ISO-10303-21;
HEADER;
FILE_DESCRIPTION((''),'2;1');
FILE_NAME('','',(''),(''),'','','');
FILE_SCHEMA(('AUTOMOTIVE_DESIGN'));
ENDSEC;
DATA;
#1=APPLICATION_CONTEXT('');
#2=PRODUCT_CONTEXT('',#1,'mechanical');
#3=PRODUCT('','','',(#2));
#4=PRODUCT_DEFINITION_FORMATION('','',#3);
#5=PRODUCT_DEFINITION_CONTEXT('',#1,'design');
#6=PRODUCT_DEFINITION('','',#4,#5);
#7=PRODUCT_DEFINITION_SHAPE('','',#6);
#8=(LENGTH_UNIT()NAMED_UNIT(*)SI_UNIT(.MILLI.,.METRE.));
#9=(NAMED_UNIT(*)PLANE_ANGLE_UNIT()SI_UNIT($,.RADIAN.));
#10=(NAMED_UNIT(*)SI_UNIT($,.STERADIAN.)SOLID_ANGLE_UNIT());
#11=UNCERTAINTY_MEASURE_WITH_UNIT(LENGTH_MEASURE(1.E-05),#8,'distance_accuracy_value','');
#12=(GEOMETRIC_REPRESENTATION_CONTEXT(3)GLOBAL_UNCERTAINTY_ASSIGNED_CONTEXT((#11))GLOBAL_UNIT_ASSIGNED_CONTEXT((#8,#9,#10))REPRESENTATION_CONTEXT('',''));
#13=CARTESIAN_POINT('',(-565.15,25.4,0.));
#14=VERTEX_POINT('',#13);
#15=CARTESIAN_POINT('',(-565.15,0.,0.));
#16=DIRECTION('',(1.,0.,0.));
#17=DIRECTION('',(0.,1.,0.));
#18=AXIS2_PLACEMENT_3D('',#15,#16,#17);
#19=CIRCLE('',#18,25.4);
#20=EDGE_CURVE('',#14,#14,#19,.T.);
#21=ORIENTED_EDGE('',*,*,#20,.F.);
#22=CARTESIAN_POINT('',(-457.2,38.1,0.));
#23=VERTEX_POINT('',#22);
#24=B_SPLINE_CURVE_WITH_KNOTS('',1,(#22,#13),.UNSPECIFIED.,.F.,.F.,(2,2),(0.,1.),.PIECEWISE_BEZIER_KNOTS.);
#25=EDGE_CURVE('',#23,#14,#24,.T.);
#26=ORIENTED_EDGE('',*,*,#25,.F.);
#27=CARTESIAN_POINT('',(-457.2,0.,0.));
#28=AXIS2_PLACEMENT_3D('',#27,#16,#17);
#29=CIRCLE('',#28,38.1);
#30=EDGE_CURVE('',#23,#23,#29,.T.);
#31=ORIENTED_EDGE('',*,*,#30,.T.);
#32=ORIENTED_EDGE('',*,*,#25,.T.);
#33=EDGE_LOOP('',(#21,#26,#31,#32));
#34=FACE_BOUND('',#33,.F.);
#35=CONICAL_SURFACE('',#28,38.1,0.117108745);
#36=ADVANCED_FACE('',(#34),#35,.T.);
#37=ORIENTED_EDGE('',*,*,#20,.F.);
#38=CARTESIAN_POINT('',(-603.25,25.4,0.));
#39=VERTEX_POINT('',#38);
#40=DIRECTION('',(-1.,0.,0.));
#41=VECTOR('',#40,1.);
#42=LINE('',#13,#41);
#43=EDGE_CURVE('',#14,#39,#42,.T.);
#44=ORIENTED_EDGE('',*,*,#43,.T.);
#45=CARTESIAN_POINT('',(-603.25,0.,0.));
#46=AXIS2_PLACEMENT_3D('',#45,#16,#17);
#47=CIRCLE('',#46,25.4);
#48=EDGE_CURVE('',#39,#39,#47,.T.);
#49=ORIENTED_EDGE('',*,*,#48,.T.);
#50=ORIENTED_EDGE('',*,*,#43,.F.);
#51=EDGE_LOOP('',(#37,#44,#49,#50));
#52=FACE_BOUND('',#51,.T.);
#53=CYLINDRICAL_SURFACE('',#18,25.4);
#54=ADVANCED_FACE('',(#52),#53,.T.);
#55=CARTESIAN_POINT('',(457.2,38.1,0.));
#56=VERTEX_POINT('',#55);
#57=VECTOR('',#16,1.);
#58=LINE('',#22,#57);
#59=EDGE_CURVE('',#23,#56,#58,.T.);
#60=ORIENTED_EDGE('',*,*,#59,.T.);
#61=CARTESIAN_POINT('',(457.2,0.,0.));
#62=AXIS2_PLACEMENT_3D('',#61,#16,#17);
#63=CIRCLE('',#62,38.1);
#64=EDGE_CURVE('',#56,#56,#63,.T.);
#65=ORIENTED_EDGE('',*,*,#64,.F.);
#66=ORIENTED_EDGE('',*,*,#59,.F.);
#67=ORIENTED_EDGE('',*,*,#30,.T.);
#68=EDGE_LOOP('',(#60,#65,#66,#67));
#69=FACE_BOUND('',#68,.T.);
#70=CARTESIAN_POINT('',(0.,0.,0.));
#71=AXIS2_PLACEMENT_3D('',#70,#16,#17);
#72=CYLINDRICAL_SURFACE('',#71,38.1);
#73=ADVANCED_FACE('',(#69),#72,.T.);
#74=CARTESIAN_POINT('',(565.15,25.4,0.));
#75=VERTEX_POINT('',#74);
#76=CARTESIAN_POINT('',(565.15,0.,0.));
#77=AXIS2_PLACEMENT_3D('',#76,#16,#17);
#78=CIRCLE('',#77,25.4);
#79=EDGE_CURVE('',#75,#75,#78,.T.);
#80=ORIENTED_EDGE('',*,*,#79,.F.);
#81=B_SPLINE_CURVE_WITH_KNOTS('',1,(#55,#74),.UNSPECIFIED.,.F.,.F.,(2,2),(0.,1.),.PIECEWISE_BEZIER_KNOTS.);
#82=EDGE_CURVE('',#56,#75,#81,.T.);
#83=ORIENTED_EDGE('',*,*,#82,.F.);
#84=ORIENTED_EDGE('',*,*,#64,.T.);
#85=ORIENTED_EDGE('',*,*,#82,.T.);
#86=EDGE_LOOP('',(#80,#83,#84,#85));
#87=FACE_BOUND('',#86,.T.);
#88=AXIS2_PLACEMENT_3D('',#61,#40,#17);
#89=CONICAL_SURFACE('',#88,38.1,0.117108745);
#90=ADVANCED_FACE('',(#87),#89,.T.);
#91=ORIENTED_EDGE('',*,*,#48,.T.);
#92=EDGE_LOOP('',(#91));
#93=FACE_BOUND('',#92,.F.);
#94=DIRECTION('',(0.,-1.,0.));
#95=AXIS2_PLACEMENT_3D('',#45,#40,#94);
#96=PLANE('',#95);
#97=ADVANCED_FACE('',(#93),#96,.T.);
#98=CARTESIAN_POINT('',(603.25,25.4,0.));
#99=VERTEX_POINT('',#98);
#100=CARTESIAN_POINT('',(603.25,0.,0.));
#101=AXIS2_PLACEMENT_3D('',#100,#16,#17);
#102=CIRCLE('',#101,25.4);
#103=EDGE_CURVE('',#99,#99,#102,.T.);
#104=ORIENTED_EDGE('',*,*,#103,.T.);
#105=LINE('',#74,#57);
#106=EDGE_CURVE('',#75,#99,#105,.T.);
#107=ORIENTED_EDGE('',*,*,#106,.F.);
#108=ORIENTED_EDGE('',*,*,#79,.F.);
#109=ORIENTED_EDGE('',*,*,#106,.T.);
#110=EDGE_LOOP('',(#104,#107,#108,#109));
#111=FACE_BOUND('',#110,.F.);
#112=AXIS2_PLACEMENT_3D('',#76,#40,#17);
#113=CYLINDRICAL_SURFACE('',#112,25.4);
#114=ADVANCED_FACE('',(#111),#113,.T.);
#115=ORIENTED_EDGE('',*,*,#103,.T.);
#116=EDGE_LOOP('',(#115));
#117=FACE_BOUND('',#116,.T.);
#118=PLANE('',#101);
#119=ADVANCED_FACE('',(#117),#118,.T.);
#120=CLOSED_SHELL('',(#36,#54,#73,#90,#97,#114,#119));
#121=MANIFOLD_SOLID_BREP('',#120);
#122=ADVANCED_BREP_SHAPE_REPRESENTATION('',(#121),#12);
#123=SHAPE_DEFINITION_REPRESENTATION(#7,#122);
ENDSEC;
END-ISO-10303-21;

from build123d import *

# Parameters (mm, degrees)
F0_R      = 38.1
F1_DEPTH  = 457.2
F3_R      = 25.4
F4_DEPTH  = 38.1
F1_FACE_R = 38.1
F4_FACE_R = 25.4


with BuildPart() as f1:
    # F0 (on Right) → F1 (new body, symmetric)
    with BuildSketch(Plane.YZ):
        Circle(F0_R)
    extrude(amount=F1_DEPTH, both=True)



with BuildPart() as f4:
    # F3 (on offset) → F4 (new body)
    with BuildSketch(Plane.YZ.offset(565.15)):
        Circle(F3_R)
    extrude(amount=F4_DEPTH)


with BuildPart() as f1_1:
    add(f1.part)

    add(f4.part)  # F5 merges F4
    # F1_face (on face) → F5 section 0
    with BuildSketch(Plane.YZ.offset(457.2)):
        Circle(F1_FACE_R)
    # F4_face (on face) → F5 section 1
    with BuildSketch(Plane(origin=(565.15, 0, 0), x_dir=(0, 1, 0), z_dir=(-1, 0, 0))):
        Circle(F4_FACE_R)
    loft()

    # F6: F1 across plane


with BuildPart() as f1_2:
    add(f1_1.part)
    add(f1_1.part.mirror(Plane.YZ))


solid = f1_2.part
